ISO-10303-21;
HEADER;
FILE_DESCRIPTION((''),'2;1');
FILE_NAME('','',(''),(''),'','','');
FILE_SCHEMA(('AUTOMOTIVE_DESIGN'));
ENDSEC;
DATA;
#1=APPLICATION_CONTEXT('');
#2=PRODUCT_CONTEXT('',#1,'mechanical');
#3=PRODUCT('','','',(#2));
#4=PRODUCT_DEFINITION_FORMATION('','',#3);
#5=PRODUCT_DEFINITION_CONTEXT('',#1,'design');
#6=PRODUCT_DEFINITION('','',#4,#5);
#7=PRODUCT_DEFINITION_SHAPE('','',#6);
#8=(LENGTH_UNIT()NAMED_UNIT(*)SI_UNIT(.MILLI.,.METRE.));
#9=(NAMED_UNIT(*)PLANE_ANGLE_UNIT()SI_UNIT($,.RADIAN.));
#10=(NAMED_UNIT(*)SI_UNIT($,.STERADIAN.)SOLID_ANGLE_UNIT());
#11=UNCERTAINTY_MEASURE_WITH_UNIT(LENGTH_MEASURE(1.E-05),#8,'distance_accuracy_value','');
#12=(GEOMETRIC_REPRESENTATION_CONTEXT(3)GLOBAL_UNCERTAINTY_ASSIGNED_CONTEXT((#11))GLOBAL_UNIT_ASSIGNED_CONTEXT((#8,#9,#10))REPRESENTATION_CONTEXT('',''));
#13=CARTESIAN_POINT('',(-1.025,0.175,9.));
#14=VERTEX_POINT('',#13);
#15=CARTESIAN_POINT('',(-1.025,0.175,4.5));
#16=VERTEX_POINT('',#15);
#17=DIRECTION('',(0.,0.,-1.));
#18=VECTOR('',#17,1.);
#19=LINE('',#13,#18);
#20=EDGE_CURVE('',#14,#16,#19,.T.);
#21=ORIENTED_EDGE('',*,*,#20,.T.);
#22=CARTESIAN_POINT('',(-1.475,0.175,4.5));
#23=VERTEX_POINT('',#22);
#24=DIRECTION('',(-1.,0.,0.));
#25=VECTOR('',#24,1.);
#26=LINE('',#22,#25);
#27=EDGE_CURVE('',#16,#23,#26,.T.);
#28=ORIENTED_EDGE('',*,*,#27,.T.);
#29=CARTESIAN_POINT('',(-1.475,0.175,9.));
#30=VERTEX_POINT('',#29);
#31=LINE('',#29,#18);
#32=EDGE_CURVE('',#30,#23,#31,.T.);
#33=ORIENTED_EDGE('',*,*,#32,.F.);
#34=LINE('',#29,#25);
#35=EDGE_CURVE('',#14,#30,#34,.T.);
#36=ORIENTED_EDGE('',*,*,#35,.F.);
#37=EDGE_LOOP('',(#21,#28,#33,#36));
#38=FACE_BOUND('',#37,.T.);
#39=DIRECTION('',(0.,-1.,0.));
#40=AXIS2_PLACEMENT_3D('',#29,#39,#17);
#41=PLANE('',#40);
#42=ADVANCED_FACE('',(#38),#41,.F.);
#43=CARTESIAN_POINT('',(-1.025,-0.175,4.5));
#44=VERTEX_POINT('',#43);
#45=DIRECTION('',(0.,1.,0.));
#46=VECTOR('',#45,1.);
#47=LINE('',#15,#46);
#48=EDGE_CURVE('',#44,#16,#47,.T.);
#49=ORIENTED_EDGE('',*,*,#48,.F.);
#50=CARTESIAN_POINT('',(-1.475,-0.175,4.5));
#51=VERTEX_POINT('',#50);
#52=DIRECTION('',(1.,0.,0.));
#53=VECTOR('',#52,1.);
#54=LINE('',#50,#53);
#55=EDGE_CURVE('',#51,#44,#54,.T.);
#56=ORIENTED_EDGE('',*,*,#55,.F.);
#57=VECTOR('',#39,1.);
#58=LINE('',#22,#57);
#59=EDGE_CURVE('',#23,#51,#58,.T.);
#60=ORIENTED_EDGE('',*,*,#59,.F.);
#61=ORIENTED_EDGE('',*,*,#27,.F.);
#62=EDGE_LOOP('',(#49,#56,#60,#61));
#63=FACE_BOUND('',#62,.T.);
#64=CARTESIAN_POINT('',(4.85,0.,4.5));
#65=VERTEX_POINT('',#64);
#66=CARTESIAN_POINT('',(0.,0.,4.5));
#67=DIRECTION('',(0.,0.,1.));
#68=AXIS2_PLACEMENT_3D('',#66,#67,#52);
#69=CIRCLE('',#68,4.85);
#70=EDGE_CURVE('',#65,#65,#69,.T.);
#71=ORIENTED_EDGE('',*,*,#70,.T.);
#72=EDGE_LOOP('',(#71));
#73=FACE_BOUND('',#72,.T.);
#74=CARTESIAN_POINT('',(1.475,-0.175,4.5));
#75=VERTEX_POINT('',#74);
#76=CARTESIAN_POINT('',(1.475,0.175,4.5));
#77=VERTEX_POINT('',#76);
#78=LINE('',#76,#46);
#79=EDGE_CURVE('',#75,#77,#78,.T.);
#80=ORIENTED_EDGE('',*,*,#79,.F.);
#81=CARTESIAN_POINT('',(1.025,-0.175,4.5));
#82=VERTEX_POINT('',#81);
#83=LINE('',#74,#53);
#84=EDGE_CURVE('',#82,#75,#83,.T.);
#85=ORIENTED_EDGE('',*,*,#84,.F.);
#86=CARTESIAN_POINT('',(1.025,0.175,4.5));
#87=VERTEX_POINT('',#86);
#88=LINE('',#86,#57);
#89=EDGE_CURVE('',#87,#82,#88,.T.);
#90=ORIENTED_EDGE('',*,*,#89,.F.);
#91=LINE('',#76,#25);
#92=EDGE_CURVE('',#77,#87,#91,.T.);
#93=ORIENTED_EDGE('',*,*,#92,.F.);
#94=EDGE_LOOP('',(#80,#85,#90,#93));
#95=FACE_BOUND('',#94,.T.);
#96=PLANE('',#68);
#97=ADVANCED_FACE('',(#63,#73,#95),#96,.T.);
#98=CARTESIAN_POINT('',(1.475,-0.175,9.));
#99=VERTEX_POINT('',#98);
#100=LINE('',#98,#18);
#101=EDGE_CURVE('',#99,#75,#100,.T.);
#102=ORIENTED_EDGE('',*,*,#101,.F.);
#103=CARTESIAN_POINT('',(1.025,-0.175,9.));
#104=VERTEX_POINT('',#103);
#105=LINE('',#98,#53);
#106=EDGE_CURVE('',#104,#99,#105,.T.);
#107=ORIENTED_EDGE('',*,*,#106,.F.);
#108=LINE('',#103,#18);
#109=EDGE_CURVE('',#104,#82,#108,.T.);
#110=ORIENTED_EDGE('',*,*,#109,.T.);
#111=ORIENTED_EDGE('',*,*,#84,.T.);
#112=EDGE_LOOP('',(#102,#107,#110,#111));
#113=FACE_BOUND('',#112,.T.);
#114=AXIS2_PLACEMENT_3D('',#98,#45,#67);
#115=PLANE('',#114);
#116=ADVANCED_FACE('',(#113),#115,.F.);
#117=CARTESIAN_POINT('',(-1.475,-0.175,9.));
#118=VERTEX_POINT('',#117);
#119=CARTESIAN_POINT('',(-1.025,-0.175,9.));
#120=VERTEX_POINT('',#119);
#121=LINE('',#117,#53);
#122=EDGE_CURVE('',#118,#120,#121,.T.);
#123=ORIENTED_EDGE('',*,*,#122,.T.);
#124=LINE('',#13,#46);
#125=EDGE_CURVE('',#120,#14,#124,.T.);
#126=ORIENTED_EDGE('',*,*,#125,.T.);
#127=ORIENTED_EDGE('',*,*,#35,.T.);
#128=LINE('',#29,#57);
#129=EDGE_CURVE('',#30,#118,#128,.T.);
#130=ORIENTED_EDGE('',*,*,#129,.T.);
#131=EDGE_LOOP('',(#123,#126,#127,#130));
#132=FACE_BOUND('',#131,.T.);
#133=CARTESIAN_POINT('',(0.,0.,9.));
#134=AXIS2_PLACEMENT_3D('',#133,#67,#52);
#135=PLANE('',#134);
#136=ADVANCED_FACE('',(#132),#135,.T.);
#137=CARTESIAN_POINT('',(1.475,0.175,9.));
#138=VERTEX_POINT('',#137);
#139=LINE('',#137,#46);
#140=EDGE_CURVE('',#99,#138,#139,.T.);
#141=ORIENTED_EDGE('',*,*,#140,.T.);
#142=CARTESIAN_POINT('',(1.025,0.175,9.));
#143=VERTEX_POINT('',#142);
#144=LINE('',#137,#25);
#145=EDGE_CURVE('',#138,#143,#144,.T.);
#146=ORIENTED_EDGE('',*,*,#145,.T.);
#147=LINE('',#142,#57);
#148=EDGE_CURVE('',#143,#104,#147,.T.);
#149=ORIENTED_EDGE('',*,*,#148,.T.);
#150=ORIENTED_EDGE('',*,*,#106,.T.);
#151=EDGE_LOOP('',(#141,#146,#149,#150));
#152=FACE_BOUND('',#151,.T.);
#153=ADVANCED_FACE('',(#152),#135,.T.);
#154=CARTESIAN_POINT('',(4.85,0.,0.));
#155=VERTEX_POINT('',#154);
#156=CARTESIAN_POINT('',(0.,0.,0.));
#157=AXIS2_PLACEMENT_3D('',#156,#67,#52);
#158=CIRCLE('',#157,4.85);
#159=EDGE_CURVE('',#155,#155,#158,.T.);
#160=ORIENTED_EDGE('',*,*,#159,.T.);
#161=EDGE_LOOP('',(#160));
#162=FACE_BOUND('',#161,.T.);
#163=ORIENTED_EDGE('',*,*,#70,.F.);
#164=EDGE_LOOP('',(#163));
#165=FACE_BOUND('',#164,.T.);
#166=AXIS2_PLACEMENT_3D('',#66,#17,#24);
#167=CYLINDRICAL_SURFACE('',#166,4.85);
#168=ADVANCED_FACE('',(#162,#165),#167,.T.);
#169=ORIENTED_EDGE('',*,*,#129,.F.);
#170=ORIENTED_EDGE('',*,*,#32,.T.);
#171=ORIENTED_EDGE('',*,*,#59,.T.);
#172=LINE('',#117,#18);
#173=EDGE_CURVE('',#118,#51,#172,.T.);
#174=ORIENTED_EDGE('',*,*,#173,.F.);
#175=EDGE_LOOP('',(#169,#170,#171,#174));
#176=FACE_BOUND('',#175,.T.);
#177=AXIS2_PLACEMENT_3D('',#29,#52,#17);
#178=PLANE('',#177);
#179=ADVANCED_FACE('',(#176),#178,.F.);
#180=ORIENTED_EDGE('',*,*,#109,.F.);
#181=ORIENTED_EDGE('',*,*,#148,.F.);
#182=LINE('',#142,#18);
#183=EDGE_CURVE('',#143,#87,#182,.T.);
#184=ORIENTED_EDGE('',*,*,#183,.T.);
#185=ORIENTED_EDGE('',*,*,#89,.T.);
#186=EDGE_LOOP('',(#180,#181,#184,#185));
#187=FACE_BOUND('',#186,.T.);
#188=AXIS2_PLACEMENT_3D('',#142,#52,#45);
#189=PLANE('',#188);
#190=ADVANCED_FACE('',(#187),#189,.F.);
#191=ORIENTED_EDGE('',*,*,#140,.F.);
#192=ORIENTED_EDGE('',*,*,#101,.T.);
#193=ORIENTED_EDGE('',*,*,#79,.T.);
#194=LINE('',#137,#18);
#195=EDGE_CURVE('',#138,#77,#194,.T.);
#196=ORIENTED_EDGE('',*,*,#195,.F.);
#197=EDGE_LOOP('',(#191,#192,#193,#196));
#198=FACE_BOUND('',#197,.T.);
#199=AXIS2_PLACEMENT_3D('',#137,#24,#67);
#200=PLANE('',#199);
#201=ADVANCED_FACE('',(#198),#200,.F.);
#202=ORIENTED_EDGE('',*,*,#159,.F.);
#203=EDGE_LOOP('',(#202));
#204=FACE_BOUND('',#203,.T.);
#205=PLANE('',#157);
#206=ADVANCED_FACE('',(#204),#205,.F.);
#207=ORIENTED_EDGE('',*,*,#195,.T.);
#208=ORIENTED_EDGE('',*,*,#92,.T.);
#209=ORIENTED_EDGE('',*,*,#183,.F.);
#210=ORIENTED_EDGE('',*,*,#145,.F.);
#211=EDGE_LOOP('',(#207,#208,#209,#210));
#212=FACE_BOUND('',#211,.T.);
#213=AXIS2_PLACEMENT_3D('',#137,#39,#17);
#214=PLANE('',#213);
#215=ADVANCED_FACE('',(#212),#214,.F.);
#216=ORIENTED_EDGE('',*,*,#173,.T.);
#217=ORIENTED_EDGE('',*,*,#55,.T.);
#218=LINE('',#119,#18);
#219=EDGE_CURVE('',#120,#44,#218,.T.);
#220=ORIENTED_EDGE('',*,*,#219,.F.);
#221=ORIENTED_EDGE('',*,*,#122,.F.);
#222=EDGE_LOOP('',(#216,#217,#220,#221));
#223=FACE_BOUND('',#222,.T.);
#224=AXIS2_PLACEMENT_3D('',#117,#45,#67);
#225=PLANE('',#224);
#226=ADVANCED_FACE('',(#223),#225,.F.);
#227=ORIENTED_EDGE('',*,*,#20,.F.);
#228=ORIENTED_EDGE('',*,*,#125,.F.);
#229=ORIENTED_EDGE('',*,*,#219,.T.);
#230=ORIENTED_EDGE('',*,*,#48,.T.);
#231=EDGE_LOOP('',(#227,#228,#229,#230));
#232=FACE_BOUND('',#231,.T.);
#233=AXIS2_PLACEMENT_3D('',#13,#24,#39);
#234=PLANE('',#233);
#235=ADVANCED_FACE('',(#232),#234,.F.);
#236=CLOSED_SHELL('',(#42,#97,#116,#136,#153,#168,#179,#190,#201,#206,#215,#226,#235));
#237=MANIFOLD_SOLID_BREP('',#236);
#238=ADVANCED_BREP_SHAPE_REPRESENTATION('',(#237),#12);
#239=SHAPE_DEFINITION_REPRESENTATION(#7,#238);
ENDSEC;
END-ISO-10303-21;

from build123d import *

# Parameters (mm, degrees)
SKETCH2_R           = 4.85
BOSS_EXTRUDE1_DEPTH = 4.5
SKETCH3_W           = 0.45
SKETCH3_H           = 0.35
BOSS_EXTRUDE2_DEPTH = 4.5


with BuildPart() as part:
    # Sketch2 → Boss-Extrude1 (new body)
    with BuildSketch(Plane.XY):
        Circle(SKETCH2_R)
    extrude(amount=BOSS_EXTRUDE1_DEPTH)

    # Sketch3 → Boss-Extrude2 (add)
    with BuildSketch(Plane.XY.offset(4.5)):
        with Locations((-1.25, 0)):
            Rectangle(SKETCH3_W, SKETCH3_H)
        with Locations((1.25, 0)):
            Rectangle(SKETCH3_W, SKETCH3_H)
    extrude(amount=BOSS_EXTRUDE2_DEPTH)


solid = part.part
